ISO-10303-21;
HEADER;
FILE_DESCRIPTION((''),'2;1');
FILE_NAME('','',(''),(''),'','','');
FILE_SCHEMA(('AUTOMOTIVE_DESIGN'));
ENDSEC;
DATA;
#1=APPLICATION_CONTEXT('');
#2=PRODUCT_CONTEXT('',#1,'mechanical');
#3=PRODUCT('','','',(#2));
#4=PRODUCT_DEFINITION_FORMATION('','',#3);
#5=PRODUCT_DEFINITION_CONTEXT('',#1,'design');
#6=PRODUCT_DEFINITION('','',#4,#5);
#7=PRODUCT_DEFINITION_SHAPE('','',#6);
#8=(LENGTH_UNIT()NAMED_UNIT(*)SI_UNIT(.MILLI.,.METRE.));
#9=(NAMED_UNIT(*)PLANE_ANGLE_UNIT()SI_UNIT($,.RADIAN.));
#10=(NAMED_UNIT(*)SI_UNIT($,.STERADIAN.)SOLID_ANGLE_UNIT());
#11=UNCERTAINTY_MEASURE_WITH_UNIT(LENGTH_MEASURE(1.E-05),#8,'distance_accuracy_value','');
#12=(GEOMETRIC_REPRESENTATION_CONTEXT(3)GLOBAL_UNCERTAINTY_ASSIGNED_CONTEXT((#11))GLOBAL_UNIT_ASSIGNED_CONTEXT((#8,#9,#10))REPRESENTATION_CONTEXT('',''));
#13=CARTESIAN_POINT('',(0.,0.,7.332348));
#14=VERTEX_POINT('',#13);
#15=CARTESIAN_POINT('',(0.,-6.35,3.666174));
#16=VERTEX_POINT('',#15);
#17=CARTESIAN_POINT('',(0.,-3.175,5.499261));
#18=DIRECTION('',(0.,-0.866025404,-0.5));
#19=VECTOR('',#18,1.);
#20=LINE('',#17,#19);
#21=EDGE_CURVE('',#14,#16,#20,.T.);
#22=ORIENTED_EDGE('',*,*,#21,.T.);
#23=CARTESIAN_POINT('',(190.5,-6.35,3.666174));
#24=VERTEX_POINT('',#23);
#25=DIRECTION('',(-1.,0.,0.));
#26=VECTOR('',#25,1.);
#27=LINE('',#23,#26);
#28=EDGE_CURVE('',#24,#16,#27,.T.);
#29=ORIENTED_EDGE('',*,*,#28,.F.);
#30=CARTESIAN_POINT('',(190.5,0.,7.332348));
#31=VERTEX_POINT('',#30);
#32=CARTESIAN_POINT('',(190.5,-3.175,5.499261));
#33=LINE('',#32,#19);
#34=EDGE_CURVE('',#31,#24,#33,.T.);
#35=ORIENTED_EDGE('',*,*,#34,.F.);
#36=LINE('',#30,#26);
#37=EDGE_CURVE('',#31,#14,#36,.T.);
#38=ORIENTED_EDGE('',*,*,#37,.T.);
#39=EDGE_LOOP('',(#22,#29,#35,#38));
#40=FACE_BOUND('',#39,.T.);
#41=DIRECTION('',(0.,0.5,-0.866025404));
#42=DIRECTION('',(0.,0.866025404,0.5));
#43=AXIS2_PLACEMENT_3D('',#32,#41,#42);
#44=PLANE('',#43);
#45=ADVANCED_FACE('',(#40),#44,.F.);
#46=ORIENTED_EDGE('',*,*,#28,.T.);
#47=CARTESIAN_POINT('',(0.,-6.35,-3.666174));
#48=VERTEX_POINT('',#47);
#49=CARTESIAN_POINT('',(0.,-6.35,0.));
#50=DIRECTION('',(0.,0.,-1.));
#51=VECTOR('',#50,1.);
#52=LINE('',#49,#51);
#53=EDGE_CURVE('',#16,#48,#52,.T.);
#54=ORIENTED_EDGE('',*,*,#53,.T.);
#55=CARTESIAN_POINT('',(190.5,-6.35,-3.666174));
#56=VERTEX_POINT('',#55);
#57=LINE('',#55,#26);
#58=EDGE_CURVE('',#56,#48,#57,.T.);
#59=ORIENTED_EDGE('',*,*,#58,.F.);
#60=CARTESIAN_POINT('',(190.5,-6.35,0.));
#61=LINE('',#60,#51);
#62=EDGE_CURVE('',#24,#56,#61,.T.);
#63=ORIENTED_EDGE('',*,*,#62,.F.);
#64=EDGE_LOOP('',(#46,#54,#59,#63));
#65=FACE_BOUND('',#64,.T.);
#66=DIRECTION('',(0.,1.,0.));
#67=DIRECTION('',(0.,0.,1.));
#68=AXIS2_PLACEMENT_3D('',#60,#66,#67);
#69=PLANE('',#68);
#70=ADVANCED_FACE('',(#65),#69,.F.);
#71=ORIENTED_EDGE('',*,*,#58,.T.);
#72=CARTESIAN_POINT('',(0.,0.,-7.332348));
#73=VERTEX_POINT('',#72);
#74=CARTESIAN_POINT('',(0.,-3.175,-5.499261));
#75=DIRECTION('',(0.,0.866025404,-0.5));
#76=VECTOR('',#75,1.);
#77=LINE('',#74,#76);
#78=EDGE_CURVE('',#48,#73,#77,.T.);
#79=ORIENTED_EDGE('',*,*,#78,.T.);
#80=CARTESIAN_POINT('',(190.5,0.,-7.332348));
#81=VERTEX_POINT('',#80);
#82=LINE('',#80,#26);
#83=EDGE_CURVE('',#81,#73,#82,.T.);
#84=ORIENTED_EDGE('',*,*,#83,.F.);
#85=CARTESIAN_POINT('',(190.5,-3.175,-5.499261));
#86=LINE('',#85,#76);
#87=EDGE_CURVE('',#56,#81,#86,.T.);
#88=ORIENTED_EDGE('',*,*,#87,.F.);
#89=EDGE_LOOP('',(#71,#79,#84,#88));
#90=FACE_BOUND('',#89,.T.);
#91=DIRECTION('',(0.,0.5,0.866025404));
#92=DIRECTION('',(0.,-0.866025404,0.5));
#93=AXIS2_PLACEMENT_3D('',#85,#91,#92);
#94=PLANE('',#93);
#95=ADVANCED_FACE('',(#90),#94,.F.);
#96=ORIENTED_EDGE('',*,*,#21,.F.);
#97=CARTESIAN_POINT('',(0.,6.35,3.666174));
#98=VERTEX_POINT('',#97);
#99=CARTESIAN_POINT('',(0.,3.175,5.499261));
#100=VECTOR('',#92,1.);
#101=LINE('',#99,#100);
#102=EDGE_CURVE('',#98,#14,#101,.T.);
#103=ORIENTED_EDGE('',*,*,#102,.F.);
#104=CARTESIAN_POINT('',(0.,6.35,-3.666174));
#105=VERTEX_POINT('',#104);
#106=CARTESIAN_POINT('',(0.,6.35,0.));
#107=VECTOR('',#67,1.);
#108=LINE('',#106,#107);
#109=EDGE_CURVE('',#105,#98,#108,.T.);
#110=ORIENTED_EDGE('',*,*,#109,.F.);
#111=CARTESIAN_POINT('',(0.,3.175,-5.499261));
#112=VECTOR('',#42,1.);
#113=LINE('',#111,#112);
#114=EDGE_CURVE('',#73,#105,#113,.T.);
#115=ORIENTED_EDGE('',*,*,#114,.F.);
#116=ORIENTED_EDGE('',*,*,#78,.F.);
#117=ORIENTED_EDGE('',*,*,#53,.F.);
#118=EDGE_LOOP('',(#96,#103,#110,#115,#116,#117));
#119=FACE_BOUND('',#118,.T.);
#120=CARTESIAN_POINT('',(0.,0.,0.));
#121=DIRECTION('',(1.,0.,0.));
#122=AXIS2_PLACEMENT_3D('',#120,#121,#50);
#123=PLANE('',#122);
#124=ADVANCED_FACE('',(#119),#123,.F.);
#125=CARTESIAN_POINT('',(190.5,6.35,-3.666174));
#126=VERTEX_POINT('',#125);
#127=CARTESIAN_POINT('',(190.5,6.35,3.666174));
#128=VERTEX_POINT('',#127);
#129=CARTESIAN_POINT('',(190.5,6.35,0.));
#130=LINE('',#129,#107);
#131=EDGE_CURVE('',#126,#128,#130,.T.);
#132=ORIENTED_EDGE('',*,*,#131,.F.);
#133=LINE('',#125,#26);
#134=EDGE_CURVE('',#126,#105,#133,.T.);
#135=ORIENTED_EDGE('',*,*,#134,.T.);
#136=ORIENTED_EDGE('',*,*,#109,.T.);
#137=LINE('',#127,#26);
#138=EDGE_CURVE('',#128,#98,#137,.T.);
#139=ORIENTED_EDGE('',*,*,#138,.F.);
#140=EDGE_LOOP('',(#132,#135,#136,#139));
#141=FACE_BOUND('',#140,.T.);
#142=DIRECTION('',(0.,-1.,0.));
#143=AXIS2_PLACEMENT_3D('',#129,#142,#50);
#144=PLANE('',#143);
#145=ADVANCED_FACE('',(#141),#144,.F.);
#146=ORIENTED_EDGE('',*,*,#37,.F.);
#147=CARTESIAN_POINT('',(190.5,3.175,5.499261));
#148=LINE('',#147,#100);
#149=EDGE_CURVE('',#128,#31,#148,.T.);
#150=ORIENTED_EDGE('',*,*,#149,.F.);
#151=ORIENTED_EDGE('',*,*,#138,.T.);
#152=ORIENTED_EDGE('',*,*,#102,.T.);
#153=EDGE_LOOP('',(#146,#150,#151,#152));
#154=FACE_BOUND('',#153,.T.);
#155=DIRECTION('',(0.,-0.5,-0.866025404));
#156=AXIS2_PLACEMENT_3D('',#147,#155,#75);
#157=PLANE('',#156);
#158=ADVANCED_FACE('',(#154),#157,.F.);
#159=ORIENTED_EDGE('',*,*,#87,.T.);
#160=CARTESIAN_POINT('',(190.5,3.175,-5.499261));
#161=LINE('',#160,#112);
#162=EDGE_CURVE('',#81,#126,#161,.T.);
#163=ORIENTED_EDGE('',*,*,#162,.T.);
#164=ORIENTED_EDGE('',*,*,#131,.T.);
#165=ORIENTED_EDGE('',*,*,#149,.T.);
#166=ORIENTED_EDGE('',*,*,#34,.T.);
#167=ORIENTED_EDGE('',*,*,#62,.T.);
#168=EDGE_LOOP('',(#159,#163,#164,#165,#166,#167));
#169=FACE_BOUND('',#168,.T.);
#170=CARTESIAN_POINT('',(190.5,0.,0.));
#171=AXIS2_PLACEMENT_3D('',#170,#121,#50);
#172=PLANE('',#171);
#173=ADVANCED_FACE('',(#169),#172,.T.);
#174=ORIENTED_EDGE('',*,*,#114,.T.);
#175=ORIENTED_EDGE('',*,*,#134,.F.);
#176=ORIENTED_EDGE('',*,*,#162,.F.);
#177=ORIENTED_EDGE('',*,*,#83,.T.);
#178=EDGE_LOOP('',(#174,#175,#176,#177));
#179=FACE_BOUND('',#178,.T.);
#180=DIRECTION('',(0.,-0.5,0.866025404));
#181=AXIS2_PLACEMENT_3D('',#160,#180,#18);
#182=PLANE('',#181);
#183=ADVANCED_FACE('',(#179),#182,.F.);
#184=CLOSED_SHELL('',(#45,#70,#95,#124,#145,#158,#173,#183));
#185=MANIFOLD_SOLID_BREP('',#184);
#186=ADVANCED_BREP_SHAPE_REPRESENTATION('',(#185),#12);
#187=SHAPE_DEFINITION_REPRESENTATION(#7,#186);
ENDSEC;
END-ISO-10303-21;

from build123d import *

# Parameters (mm, degrees)
BOSS_EXTRUDE1_DEPTH = 190.5


with BuildPart() as part:
    # Sketch1 → Boss-Extrude1 (new body)
    with BuildSketch(Plane(origin=(0, 0, 0), x_dir=(0, 0, -1), z_dir=(1, 0, 0))):
        Polygon((7.332348419, 0), (3.666174209, 6.35), (-3.666174209, 6.35), (-7.332348419, 0), (-3.666174209, -6.35), (3.666174209, -6.35), align=None)
    extrude(amount=BOSS_EXTRUDE1_DEPTH)


solid = part.part
